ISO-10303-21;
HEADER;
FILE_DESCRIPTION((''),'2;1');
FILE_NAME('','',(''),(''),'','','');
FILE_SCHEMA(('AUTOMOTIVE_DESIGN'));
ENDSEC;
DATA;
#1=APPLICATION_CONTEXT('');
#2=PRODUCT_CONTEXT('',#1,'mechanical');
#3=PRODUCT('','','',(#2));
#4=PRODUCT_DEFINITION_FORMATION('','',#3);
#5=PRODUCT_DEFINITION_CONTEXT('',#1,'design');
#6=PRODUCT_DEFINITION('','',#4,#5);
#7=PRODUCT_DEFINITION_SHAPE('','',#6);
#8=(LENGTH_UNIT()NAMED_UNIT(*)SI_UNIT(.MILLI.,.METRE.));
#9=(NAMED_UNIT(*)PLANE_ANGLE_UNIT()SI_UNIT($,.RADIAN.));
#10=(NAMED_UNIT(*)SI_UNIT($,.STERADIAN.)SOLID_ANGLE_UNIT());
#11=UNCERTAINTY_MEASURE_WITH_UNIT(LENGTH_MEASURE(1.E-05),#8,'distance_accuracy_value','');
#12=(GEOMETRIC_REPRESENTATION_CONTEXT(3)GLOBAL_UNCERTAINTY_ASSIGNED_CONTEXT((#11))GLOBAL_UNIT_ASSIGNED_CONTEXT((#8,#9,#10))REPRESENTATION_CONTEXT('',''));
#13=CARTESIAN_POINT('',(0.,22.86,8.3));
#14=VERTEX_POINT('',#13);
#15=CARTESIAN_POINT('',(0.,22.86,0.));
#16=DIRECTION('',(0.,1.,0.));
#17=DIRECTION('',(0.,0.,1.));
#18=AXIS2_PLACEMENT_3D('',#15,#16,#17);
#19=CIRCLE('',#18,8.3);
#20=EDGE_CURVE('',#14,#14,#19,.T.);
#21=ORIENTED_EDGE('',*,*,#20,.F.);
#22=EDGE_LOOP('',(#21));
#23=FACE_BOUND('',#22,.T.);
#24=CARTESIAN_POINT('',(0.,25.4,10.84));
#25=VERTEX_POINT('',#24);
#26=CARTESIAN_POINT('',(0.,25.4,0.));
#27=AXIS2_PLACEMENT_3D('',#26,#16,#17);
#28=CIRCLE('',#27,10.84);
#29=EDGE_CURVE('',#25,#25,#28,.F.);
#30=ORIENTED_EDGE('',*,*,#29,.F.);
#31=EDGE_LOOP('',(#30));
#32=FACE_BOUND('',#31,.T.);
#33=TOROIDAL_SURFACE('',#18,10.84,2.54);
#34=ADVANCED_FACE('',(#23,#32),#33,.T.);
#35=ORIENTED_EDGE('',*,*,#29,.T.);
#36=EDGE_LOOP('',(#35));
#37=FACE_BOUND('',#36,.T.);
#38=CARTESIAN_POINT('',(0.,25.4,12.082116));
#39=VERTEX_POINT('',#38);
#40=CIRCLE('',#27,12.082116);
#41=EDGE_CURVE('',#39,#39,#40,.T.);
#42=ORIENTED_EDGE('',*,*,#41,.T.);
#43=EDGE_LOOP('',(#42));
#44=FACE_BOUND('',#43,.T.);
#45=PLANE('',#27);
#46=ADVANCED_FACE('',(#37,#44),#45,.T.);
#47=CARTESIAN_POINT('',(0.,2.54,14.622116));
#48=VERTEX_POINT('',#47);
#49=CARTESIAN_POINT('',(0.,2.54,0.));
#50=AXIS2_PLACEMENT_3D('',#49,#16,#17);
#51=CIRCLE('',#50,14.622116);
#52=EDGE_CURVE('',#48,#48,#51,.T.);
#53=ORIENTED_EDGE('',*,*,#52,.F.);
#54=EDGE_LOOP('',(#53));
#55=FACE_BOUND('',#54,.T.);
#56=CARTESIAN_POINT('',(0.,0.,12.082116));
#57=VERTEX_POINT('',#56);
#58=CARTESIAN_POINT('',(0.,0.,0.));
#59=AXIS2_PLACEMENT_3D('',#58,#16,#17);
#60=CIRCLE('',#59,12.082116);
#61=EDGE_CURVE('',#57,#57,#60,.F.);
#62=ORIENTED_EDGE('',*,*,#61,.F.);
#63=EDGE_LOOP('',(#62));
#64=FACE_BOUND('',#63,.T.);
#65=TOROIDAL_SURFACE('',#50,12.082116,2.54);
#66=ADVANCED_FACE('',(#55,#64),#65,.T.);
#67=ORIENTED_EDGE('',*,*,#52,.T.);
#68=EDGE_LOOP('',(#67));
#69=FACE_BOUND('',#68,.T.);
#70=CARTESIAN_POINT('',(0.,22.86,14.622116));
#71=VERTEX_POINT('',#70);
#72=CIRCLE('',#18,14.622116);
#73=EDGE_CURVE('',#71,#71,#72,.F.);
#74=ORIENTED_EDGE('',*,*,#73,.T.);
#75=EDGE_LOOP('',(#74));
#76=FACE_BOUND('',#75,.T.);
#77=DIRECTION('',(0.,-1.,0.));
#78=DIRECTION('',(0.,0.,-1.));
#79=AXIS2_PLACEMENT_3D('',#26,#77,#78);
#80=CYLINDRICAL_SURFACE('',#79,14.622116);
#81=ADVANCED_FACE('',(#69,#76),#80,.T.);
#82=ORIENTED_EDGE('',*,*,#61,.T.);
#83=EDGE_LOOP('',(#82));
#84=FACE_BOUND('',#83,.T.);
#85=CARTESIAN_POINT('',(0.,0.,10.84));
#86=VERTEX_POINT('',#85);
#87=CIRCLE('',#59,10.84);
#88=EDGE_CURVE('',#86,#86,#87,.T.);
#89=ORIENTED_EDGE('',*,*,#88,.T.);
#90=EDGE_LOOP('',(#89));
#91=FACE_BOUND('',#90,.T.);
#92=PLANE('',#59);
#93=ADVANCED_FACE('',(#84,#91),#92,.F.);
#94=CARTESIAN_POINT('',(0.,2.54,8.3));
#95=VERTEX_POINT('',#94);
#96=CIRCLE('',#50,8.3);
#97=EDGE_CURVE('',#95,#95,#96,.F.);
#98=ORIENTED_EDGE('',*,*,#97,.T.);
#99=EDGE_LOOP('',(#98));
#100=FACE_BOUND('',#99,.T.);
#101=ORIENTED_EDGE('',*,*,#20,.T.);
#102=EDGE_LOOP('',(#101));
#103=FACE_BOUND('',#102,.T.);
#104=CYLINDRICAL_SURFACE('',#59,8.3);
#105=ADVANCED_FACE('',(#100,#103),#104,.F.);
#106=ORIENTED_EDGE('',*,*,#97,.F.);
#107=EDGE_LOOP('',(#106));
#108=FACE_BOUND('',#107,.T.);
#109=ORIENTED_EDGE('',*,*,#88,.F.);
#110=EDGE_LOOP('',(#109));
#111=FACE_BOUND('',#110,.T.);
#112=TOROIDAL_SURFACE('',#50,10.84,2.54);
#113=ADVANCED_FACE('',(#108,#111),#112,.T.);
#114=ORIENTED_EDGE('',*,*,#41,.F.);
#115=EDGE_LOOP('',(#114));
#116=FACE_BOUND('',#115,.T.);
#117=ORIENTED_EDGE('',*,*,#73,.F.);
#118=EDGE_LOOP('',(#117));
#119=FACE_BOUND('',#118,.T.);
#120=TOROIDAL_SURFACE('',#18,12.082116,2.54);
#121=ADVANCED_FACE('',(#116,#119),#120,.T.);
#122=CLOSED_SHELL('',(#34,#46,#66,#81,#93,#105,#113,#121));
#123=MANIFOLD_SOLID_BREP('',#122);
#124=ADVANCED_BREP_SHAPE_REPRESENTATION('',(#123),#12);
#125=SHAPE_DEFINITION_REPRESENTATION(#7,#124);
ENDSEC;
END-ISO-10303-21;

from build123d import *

# Parameters (mm, degrees)
SKETCH1_R           = 14.622116372
BOSS_EXTRUDE2_DEPTH = 25.4
SKETCH2_R           = 8.3
CUT_EXTRUDE1_DEPTH  = 25.4
FILLET1_R           = 2.54


with BuildPart() as part:
    # Sketch1 → Boss-Extrude2 (new body)
    with BuildSketch(Plane(origin=(0, 0, 0), x_dir=(1, 0, 0), z_dir=(0, 1, 0))):
        with Locations(Location((0, 0, 0), (0, 0, 270))):
            Circle(SKETCH1_R)
    extrude(amount=BOSS_EXTRUDE2_DEPTH)

    # Sketch2 → Cut-Extrude1 (cut)
    with BuildSketch(Plane(origin=(0, 25.4, 0), x_dir=(1, 0, 0), z_dir=(0, 1, 0))):
        with Locations(Location((0, 0, 0), (0, 0, 270))):
            Circle(SKETCH2_R)
    extrude(amount=-CUT_EXTRUDE1_DEPTH, mode=Mode.SUBTRACT)

    # Fillet1
    fillet1_edges = [part.edges().sort_by_distance(p)[0] for p in [
        (0, 0, -14.622116372),
        (0, 25.4, -14.622116372),
        (0, 0, -8.3),
        (0, 25.4, -8.3),
    ]]
    fillet(fillet1_edges, radius=FILLET1_R)


solid = part.part
